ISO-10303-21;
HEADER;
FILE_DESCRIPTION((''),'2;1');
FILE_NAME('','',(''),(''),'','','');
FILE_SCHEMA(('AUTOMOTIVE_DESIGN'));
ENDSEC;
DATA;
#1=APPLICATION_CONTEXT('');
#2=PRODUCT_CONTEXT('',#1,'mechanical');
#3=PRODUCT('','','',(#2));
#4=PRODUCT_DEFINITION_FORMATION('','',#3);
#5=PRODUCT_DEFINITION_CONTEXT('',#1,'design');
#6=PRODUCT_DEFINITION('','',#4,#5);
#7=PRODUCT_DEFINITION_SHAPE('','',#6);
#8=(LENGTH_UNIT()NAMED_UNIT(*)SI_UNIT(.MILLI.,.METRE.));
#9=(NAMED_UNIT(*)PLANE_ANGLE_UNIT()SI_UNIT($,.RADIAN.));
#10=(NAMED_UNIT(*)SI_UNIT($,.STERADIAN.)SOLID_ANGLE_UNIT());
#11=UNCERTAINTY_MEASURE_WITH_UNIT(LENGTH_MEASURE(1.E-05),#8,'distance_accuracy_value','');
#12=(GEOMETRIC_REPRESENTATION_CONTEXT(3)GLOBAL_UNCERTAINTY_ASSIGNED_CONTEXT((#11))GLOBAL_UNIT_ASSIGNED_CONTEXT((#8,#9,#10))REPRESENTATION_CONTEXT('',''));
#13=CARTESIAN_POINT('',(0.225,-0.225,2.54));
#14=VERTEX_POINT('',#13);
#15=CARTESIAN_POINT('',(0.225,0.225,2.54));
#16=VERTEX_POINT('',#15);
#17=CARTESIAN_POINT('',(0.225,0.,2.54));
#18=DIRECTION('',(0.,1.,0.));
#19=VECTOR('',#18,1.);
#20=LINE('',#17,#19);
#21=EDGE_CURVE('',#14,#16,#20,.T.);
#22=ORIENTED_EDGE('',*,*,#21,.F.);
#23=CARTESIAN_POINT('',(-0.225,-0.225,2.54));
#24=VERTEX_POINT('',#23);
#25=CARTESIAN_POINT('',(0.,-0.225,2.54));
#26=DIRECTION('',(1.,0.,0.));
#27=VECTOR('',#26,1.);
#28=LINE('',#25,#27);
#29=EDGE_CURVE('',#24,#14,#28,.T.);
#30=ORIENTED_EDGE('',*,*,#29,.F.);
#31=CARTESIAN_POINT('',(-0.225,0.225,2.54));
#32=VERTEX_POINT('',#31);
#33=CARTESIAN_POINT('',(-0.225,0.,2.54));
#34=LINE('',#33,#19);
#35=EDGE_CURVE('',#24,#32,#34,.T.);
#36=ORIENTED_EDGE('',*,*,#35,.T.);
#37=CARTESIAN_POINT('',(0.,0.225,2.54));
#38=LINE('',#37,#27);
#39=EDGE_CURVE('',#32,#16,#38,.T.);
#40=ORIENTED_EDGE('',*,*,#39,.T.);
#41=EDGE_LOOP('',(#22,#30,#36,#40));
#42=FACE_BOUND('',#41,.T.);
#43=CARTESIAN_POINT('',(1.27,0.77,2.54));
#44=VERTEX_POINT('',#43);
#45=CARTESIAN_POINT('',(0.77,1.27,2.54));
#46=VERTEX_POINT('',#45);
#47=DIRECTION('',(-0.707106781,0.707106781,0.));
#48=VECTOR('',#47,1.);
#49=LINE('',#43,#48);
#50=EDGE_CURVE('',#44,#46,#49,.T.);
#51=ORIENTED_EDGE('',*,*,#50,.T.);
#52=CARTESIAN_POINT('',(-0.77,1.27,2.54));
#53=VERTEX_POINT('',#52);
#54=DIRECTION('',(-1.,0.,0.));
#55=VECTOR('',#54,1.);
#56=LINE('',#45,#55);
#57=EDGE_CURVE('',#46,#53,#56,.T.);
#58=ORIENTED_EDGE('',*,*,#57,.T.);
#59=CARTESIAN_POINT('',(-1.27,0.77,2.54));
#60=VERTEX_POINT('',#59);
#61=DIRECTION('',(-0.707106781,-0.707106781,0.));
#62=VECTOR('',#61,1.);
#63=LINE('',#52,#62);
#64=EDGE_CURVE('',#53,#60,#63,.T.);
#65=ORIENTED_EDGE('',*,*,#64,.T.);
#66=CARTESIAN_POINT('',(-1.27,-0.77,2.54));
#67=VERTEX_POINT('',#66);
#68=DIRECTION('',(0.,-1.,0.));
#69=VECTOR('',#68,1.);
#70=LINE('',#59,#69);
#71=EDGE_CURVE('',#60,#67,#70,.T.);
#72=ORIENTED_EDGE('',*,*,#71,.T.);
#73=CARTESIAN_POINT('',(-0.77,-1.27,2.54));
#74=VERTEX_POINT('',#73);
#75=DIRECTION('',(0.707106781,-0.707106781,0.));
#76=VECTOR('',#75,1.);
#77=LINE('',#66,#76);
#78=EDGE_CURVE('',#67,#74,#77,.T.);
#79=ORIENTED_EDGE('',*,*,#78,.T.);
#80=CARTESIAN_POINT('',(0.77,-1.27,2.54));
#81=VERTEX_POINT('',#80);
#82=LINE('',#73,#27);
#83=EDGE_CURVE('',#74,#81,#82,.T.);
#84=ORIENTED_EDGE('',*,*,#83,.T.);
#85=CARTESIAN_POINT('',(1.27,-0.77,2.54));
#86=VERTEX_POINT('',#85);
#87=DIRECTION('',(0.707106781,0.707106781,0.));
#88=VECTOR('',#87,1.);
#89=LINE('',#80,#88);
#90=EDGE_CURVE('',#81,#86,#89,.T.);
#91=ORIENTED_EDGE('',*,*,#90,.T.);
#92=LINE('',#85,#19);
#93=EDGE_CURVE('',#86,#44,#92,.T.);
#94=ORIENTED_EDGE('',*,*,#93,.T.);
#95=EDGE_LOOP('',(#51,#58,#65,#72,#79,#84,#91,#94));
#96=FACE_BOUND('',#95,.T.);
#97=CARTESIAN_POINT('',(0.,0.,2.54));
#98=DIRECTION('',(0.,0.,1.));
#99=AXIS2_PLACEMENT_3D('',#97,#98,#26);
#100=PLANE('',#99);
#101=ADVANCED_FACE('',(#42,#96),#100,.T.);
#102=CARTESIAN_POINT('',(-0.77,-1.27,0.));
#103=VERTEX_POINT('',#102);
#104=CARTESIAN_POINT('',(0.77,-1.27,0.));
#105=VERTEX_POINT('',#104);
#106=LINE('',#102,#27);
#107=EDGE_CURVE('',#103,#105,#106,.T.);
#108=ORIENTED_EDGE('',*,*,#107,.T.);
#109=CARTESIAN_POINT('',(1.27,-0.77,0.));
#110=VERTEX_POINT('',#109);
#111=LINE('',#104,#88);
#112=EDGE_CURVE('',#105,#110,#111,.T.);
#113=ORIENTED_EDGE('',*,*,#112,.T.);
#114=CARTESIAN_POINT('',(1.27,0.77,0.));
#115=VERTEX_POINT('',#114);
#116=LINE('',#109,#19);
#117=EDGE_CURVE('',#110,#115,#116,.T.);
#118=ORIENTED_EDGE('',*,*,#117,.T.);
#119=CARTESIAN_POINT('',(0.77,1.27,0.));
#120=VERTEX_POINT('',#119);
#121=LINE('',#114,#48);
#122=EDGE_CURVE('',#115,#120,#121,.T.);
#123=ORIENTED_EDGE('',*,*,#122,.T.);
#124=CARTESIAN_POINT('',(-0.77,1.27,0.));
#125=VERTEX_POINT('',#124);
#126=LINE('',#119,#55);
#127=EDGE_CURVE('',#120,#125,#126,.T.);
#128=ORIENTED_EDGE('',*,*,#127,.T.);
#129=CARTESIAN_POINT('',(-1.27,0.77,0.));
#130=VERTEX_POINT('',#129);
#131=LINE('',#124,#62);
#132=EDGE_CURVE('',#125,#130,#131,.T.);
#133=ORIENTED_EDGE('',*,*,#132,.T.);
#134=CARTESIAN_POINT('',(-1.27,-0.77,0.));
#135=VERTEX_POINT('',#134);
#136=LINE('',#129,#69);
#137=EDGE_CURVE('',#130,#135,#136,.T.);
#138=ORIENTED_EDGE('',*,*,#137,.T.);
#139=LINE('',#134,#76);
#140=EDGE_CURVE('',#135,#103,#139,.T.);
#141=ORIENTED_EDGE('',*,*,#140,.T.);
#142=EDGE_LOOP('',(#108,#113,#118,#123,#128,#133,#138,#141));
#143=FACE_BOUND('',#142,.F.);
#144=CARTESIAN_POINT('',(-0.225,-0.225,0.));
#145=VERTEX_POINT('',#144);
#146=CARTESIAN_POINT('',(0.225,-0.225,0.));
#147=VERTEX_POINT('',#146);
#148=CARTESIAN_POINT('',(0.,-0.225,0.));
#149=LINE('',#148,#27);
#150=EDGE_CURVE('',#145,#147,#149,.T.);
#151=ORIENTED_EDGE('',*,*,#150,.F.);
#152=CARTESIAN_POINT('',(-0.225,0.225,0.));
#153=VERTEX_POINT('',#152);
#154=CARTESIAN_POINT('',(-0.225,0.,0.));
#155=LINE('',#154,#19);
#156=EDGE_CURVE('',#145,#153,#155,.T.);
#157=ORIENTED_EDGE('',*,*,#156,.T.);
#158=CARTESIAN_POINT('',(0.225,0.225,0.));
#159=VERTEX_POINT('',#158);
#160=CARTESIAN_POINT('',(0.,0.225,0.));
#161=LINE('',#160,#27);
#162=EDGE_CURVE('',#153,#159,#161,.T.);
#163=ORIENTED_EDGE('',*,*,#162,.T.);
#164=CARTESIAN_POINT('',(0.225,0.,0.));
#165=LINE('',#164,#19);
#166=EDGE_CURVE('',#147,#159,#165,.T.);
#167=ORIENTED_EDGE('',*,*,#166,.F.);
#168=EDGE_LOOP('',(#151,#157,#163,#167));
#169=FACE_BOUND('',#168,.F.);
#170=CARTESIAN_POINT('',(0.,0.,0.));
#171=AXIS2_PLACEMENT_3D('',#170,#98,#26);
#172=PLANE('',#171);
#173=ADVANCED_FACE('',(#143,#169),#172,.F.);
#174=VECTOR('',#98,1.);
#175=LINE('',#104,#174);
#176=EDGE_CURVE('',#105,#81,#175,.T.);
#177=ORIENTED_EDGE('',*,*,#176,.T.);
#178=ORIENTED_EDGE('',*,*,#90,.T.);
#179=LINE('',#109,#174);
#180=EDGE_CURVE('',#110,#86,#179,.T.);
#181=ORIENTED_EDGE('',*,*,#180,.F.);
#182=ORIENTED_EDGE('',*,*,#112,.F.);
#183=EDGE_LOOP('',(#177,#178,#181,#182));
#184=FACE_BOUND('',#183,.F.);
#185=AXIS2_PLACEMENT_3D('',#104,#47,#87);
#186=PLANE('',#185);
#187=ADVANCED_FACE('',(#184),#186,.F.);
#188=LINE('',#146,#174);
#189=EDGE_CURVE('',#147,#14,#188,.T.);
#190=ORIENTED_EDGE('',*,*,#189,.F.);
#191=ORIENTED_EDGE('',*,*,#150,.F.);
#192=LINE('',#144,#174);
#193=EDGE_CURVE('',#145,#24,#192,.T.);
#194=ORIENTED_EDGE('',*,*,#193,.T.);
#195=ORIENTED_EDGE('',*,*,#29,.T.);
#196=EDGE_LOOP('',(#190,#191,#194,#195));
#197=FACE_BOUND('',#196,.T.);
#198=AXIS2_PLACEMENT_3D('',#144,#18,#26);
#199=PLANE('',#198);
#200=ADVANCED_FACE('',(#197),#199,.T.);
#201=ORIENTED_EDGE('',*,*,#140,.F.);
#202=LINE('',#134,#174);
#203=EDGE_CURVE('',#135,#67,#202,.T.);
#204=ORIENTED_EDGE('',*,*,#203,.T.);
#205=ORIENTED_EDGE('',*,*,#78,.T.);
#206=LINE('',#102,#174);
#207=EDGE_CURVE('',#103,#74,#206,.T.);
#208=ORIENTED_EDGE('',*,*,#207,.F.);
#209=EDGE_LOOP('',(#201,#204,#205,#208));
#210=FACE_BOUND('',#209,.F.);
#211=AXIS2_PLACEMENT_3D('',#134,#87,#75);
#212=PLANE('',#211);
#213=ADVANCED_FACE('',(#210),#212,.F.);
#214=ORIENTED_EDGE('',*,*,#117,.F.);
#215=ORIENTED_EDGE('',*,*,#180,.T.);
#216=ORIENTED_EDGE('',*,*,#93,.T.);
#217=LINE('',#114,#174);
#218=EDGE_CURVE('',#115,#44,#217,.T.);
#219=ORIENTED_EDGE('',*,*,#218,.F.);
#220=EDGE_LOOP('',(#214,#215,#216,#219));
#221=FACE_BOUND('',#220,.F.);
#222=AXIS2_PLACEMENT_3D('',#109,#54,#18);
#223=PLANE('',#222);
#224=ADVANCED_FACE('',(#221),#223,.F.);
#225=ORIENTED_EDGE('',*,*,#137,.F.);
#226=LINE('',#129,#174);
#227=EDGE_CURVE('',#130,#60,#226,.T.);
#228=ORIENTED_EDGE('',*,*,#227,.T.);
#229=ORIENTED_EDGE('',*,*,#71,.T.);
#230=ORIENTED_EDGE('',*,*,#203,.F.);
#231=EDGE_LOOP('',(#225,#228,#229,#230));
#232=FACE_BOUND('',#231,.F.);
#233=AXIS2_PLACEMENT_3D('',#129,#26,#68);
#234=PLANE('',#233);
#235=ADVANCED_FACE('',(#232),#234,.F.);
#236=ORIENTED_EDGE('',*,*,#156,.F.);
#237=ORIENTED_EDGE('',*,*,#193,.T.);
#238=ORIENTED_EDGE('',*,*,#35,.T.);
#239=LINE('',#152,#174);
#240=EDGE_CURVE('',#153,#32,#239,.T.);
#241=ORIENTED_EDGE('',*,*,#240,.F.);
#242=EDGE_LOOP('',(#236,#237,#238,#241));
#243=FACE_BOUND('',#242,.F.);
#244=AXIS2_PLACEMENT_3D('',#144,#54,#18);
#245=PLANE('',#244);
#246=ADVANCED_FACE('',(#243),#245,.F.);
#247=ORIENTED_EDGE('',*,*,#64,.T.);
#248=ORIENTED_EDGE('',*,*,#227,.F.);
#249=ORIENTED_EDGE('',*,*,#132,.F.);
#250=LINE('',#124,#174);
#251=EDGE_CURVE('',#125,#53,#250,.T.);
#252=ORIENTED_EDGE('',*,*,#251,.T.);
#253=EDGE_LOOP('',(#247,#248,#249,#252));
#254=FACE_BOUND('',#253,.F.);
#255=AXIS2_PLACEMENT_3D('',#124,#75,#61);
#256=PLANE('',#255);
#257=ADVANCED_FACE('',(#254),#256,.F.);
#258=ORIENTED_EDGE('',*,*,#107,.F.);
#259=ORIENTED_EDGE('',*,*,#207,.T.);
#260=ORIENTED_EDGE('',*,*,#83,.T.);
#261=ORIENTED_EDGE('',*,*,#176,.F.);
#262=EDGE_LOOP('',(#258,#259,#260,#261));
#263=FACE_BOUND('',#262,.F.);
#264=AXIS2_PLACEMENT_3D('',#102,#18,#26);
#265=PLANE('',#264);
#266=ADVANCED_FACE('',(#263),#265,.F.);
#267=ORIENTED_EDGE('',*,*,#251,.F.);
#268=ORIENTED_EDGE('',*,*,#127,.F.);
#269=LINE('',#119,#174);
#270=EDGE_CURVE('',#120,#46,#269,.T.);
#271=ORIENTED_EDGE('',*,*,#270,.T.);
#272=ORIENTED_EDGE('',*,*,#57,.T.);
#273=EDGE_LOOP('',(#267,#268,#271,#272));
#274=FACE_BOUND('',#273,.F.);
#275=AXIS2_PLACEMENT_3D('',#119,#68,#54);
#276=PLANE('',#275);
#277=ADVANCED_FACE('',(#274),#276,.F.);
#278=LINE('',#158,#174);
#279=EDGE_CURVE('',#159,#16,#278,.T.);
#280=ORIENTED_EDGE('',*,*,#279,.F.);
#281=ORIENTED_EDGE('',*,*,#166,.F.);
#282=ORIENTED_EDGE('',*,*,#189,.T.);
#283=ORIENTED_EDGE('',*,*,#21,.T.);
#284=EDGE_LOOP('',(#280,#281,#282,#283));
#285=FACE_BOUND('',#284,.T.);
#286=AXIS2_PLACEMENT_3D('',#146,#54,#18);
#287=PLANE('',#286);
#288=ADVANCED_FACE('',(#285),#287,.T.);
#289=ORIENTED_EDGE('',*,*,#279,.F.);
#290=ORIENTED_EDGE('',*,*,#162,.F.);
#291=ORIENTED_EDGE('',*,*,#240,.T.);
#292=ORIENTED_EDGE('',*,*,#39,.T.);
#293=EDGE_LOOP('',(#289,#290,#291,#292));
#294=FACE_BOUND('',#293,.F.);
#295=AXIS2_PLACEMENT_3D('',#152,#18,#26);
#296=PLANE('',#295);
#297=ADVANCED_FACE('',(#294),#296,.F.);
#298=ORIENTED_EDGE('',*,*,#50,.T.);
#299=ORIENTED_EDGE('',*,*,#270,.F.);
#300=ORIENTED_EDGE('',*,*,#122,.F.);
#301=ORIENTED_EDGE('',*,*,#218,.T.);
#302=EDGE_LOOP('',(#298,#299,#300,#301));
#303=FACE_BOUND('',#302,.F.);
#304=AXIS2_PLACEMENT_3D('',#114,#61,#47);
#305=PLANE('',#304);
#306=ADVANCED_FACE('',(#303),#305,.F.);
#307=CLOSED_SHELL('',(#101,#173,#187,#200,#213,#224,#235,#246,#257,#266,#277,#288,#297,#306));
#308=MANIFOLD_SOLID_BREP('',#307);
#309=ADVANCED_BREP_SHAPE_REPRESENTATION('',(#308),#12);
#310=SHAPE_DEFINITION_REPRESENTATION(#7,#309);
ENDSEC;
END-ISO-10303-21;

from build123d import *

# Parameters (mm, degrees)
F0_W     = 0.45
F0_H     = 0.45
F1_DEPTH = 2.54


with BuildPart() as f1:
    # F0 (on Top) → F1 (new body)
    with BuildSketch(Plane.XY):
        Polygon((0.77, 1.27), (0, 1.27), (-0.77, 1.27), (-1.27, 0.77), (-1.27, 0), (-1.27, -0.77), (-0.77, -1.27), (0, -1.27), (0.77, -1.27), (1.27, -0.77), (1.27, 0), (1.27, 0.77), align=None)
        Rectangle(F0_W, F0_H, mode=Mode.SUBTRACT)
    extrude(amount=F1_DEPTH)


solid = f1.part
